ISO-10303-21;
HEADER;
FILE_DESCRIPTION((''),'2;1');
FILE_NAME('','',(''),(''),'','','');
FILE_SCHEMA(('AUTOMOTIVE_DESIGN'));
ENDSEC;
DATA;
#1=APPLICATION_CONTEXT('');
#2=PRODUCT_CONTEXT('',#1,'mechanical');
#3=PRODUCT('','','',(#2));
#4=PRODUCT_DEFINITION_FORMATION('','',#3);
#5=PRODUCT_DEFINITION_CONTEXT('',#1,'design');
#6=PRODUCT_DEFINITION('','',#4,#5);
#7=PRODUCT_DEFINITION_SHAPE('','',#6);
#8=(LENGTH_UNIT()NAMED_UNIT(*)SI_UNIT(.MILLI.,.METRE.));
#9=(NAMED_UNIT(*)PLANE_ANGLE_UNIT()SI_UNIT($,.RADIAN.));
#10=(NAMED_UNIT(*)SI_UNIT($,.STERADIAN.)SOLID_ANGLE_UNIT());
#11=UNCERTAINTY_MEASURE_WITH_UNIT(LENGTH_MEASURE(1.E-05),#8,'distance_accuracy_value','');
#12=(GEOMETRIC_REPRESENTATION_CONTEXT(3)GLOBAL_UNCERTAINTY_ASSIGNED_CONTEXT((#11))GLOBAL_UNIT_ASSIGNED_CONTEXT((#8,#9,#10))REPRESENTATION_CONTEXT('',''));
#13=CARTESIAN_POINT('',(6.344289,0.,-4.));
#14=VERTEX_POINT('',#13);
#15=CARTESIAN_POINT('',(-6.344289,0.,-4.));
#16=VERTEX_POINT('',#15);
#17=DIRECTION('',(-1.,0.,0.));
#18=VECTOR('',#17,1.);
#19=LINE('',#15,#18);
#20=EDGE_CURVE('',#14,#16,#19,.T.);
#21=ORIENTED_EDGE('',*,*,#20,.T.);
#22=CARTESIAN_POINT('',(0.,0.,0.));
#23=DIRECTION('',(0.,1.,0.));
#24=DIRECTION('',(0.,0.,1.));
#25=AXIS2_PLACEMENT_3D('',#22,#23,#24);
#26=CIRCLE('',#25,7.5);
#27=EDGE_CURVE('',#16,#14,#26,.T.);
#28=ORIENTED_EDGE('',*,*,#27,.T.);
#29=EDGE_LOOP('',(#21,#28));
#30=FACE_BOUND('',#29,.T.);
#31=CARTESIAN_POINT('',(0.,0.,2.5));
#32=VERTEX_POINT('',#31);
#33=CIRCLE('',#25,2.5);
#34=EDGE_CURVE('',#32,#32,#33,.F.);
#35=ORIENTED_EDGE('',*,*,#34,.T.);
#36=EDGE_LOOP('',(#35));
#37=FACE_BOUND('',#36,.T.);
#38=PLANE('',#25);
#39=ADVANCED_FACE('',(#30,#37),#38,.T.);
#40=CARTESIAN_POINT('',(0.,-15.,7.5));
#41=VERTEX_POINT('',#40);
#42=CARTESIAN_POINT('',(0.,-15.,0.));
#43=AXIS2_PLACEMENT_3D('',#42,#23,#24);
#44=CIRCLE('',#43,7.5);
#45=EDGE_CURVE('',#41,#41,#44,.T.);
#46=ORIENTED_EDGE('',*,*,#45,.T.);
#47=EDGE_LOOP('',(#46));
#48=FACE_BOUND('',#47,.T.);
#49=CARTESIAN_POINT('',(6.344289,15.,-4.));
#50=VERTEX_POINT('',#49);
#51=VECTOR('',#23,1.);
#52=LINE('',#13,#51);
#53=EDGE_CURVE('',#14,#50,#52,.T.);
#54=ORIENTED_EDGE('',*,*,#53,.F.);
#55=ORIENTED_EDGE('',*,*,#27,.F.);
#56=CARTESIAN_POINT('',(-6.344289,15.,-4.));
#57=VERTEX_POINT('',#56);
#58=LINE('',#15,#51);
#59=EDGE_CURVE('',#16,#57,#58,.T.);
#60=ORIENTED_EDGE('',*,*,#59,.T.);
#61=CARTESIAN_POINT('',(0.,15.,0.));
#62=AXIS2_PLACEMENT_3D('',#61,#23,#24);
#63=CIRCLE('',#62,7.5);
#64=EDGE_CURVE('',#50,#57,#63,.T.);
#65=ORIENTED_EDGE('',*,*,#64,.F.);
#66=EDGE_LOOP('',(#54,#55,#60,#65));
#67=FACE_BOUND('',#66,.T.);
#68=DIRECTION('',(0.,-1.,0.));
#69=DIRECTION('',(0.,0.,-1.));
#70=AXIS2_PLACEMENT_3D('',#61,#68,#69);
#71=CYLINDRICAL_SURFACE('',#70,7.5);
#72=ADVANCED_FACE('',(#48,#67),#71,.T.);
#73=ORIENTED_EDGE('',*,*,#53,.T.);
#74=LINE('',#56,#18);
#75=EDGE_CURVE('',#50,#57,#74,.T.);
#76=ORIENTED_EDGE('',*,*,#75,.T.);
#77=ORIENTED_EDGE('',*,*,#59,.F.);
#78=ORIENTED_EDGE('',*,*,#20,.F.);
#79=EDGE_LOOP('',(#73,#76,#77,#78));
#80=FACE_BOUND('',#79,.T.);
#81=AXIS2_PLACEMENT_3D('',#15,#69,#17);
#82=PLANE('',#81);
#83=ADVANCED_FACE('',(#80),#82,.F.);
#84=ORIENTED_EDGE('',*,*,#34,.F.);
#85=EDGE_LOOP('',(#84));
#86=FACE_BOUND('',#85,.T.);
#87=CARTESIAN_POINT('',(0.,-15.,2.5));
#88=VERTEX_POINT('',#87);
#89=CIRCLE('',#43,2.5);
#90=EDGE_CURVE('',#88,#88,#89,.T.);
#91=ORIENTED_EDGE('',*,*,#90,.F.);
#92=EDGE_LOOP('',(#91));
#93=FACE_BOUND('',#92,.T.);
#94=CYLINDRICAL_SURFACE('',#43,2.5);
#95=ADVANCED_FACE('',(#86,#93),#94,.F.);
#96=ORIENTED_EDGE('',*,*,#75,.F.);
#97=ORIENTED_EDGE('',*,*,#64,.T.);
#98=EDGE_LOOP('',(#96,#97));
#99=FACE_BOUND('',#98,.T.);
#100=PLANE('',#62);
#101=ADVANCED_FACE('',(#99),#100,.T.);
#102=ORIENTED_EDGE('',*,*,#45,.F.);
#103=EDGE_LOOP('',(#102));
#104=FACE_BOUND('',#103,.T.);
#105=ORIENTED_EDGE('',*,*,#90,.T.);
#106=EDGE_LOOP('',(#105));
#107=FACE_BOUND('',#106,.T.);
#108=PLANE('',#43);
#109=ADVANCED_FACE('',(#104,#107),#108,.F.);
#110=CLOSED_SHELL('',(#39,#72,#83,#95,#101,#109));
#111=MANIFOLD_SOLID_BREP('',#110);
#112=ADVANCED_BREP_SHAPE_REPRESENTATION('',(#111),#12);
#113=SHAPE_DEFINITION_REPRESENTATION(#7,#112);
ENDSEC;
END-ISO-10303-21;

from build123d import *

# Parameters (mm, degrees)
CROQUIS1_R              = 7.5
SALIENTE_EXTRUIR1_DEPTH = 15
CROQUIS3_R              = 2.5
CORTAR_EXTRUIR2_DEPTH   = 32.819805153
CORTAR_EXTRUIR1_DEPTH   = 15


with BuildPart() as part:
    # Croquis1 → Saliente-Extruir1 (new, symmetric)
    with BuildSketch(Plane(origin=(0, 0, 0), x_dir=(1, 0, 0), z_dir=(0, 1, 0))):
        with Locations(Location((0, 0, 0), (0, 0, 270))):
            Circle(CROQUIS1_R)
    extrude(amount=SALIENTE_EXTRUIR1_DEPTH, both=True)

    # Croquis3 → Cortar-Extruir2 (cut, through all)
    with BuildSketch(Plane(origin=(0, 15, 0), x_dir=(1, 0, 0), z_dir=(0, 1, 0))):
        with Locations(Location((0, 0, 0), (0, 0, 270))):
            Circle(CROQUIS3_R)
    extrude(amount=-CORTAR_EXTRUIR2_DEPTH, mode=Mode.SUBTRACT)

    # Croquis2 → Cortar-Extruir1 (cut)
    with BuildSketch(Plane(origin=(0, 15, 0), x_dir=(1, 0, 0), z_dir=(0, 1, 0))):
        with BuildLine():
            Line((-6.34428877, 4), (6.34428877, 4))
            ThreePointArc((6.34428877, 4), (0, -7.5), (-6.34428877, 4))
        make_face()
    extrude(amount=-CORTAR_EXTRUIR1_DEPTH, mode=Mode.SUBTRACT)


solid = part.part
